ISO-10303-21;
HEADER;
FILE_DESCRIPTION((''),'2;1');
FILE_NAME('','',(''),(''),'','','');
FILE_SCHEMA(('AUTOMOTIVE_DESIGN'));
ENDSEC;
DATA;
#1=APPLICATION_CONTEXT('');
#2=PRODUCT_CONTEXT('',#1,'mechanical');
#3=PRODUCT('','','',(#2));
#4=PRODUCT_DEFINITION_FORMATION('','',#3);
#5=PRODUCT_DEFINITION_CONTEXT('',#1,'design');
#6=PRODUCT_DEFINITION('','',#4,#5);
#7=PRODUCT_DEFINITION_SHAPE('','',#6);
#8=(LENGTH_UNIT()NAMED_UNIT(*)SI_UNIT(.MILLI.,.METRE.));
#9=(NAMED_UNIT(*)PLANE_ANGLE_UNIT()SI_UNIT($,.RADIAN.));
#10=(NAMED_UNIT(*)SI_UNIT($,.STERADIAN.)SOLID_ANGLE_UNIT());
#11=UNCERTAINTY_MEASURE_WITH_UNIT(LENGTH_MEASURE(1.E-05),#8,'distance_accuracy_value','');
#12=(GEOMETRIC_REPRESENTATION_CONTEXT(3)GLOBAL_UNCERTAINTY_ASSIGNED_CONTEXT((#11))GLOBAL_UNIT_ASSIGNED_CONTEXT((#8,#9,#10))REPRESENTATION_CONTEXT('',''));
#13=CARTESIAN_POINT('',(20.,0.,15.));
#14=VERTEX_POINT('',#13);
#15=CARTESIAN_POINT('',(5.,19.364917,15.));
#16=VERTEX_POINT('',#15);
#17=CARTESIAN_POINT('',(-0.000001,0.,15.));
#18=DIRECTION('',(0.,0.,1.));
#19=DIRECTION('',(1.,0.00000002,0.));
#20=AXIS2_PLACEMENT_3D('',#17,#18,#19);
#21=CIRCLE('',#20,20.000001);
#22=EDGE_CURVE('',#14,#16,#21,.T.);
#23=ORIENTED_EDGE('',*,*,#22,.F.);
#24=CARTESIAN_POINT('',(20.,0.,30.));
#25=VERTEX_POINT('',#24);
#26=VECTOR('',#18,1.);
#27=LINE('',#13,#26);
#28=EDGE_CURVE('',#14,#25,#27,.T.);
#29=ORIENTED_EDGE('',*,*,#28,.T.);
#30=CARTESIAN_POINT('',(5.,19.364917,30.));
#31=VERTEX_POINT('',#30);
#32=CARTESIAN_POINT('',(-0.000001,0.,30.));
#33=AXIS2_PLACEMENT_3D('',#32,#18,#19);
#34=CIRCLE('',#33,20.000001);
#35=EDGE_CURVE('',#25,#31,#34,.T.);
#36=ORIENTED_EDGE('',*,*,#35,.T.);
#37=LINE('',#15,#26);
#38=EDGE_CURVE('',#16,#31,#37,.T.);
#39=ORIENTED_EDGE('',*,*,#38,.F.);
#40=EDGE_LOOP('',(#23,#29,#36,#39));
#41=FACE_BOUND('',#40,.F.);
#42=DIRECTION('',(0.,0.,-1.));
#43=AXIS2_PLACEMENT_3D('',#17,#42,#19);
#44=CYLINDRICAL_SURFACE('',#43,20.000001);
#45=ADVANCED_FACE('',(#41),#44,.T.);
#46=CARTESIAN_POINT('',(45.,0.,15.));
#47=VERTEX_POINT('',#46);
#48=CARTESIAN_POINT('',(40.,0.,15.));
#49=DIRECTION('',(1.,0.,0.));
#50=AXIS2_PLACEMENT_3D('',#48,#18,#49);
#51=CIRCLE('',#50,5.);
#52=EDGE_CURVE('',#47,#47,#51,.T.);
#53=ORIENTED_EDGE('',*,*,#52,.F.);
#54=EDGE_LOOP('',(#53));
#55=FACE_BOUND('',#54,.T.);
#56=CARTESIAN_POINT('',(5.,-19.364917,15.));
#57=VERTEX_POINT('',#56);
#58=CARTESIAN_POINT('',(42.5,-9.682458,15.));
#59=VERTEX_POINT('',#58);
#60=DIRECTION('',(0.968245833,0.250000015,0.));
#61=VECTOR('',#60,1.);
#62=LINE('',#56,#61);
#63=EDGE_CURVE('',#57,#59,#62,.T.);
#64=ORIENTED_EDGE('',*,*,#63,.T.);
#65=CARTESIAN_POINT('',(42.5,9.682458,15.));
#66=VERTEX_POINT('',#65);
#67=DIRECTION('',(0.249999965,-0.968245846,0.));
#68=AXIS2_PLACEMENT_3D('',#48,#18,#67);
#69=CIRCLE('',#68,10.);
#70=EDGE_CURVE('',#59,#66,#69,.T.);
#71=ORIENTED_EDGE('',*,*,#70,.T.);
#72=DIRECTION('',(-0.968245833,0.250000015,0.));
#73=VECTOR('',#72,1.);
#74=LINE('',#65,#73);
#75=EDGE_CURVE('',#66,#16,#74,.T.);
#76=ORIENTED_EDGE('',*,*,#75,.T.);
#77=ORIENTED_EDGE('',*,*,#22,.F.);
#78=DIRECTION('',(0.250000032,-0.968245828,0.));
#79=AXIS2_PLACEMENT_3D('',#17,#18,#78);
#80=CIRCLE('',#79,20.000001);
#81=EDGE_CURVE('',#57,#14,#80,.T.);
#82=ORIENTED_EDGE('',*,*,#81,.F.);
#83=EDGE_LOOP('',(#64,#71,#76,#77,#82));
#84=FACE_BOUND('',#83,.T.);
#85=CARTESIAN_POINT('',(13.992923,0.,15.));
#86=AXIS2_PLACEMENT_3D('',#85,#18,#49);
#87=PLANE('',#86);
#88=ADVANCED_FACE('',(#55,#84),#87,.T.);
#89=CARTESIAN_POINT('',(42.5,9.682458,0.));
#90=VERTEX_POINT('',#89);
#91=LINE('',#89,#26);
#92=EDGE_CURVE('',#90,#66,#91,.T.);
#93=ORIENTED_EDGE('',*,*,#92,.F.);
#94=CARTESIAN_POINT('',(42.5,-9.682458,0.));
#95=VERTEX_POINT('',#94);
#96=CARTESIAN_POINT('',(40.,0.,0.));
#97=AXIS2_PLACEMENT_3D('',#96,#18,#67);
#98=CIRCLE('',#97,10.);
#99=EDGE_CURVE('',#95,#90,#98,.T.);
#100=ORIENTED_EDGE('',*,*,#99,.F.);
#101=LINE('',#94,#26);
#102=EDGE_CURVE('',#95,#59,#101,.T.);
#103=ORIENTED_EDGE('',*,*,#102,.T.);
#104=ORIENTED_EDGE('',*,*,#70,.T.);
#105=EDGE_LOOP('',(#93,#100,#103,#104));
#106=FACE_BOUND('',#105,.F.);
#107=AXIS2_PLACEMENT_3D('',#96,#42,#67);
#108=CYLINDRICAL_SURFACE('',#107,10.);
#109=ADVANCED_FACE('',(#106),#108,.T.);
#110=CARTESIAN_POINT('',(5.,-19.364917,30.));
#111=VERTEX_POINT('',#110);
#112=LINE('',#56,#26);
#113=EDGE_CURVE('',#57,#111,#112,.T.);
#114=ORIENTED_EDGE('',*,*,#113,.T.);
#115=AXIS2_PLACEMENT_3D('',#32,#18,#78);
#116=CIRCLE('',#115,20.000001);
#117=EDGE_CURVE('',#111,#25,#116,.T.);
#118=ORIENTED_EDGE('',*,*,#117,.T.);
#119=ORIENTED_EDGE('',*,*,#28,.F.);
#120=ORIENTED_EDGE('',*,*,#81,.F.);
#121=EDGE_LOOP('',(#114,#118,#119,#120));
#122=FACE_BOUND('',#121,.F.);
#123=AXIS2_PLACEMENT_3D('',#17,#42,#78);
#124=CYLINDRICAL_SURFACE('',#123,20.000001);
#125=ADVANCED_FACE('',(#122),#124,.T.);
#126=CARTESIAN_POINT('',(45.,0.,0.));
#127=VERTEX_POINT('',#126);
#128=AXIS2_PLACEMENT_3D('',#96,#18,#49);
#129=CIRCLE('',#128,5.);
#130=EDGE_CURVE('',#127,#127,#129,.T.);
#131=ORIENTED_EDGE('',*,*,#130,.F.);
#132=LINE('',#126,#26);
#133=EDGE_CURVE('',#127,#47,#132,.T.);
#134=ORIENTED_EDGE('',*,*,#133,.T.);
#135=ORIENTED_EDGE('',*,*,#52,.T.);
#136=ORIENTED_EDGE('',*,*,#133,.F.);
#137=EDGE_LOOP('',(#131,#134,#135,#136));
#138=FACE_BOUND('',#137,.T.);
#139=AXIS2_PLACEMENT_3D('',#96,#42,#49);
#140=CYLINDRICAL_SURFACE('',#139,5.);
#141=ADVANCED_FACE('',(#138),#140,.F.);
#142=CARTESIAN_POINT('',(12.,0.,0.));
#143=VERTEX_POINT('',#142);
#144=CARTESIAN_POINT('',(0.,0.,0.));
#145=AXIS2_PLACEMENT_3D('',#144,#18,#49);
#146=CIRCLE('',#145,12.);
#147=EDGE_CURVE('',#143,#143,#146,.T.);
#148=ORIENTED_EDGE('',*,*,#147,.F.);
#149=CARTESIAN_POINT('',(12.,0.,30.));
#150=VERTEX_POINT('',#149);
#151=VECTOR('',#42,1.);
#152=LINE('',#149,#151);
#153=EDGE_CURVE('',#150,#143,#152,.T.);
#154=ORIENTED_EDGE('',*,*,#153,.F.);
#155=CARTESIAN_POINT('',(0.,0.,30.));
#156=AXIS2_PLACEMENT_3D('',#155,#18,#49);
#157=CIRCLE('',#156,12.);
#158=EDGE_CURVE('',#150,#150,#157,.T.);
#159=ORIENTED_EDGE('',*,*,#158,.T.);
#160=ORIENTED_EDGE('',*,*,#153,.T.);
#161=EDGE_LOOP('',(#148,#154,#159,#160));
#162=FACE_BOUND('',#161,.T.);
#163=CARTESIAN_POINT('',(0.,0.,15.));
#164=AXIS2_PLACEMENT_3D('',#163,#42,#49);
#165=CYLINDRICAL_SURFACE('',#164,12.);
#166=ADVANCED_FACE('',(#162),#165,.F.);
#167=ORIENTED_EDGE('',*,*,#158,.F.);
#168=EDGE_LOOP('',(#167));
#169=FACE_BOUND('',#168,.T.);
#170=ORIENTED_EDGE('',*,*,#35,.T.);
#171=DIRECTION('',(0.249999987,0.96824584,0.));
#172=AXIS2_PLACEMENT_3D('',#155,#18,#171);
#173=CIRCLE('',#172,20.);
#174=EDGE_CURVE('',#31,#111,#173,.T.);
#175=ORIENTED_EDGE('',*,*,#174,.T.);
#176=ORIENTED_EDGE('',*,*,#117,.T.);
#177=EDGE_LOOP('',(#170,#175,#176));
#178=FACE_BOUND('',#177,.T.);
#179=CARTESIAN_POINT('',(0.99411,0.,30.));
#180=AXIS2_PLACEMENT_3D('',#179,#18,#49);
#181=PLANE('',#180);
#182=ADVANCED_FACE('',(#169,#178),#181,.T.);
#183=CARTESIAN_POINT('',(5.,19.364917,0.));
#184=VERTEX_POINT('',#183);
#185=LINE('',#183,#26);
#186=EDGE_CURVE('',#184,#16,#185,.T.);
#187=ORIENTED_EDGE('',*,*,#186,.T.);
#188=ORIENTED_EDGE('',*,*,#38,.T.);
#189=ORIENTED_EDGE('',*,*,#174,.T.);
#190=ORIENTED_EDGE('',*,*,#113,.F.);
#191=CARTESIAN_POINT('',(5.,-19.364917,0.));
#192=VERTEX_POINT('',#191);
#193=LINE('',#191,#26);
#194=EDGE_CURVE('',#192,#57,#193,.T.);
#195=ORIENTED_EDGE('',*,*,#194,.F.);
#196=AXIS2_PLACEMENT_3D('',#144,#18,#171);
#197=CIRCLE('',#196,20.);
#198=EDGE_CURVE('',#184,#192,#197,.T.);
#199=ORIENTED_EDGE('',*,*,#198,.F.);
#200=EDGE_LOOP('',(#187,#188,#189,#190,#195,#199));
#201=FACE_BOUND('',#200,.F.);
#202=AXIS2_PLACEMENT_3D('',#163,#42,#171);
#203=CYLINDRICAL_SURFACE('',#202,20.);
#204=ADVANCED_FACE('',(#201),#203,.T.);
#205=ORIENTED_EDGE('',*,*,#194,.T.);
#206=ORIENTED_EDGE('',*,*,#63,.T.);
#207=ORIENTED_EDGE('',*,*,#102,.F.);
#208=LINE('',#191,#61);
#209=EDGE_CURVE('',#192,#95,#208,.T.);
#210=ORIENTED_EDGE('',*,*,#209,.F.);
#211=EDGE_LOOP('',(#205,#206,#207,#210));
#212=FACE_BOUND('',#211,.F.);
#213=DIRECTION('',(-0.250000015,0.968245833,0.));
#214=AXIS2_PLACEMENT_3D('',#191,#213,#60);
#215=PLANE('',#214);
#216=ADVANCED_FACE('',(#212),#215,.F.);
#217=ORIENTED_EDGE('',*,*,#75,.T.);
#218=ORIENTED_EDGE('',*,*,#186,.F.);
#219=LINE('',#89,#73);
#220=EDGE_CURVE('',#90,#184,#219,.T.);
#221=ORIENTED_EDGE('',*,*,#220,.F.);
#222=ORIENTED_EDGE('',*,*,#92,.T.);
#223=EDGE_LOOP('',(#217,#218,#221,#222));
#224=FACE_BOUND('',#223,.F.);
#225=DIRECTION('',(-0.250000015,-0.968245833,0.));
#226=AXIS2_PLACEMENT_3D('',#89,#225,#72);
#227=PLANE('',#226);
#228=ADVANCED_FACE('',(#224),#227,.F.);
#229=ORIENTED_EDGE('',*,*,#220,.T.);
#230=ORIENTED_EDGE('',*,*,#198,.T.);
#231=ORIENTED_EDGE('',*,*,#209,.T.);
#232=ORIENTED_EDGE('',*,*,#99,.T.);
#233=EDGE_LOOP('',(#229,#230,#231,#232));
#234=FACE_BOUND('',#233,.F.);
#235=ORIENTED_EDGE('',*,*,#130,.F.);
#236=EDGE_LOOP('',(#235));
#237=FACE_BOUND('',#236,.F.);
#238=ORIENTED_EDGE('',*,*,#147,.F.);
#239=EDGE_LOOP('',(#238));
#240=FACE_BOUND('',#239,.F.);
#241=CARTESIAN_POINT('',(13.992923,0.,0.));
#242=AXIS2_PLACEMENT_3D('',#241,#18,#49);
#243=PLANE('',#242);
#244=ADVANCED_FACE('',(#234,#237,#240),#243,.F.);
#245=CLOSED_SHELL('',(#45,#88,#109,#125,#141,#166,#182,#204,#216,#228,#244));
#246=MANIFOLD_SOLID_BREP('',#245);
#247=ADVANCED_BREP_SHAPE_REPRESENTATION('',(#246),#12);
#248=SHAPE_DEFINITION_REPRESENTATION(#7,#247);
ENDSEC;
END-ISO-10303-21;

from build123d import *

# Parameters (mm, degrees)
F0_R     = 12
F0_R_2   = 5
F1_DEPTH = 15
F2_R     = 12
F3_DEPTH = 15


with BuildPart() as f1:
    # F0 (on Top) → F1 (new body)
    with BuildSketch(Plane.XY):
        with BuildLine():
            Line((42.5, 9.682458), (5, 19.364917))
            ThreePointArc((5, 19.364917), (-20, 0), (5, -19.364917))
            Line((5, -19.364917), (42.5, -9.682458))
            ThreePointArc((42.5, -9.682458), (50, 0), (42.5, 9.682458))
        make_face()
        Circle(F0_R, mode=Mode.SUBTRACT)
        with Locations((40, 0)):
            Circle(F0_R_2, mode=Mode.SUBTRACT)
    extrude(amount=F1_DEPTH)

    # F2 (on face) → F3 (join)
    with BuildSketch(Plane.XY.offset(15)):
        with BuildLine():
            ThreePointArc((5, -19.364917), (15.811388, -12.247449), (20, 0))
            ThreePointArc((20, 0), (15.811388, 12.247449), (5, 19.364917))
            ThreePointArc((5, 19.364917), (-20, 0), (5, -19.364917))
        make_face()
        Circle(F2_R, mode=Mode.SUBTRACT)
    extrude(amount=F3_DEPTH)


solid = f1.part
